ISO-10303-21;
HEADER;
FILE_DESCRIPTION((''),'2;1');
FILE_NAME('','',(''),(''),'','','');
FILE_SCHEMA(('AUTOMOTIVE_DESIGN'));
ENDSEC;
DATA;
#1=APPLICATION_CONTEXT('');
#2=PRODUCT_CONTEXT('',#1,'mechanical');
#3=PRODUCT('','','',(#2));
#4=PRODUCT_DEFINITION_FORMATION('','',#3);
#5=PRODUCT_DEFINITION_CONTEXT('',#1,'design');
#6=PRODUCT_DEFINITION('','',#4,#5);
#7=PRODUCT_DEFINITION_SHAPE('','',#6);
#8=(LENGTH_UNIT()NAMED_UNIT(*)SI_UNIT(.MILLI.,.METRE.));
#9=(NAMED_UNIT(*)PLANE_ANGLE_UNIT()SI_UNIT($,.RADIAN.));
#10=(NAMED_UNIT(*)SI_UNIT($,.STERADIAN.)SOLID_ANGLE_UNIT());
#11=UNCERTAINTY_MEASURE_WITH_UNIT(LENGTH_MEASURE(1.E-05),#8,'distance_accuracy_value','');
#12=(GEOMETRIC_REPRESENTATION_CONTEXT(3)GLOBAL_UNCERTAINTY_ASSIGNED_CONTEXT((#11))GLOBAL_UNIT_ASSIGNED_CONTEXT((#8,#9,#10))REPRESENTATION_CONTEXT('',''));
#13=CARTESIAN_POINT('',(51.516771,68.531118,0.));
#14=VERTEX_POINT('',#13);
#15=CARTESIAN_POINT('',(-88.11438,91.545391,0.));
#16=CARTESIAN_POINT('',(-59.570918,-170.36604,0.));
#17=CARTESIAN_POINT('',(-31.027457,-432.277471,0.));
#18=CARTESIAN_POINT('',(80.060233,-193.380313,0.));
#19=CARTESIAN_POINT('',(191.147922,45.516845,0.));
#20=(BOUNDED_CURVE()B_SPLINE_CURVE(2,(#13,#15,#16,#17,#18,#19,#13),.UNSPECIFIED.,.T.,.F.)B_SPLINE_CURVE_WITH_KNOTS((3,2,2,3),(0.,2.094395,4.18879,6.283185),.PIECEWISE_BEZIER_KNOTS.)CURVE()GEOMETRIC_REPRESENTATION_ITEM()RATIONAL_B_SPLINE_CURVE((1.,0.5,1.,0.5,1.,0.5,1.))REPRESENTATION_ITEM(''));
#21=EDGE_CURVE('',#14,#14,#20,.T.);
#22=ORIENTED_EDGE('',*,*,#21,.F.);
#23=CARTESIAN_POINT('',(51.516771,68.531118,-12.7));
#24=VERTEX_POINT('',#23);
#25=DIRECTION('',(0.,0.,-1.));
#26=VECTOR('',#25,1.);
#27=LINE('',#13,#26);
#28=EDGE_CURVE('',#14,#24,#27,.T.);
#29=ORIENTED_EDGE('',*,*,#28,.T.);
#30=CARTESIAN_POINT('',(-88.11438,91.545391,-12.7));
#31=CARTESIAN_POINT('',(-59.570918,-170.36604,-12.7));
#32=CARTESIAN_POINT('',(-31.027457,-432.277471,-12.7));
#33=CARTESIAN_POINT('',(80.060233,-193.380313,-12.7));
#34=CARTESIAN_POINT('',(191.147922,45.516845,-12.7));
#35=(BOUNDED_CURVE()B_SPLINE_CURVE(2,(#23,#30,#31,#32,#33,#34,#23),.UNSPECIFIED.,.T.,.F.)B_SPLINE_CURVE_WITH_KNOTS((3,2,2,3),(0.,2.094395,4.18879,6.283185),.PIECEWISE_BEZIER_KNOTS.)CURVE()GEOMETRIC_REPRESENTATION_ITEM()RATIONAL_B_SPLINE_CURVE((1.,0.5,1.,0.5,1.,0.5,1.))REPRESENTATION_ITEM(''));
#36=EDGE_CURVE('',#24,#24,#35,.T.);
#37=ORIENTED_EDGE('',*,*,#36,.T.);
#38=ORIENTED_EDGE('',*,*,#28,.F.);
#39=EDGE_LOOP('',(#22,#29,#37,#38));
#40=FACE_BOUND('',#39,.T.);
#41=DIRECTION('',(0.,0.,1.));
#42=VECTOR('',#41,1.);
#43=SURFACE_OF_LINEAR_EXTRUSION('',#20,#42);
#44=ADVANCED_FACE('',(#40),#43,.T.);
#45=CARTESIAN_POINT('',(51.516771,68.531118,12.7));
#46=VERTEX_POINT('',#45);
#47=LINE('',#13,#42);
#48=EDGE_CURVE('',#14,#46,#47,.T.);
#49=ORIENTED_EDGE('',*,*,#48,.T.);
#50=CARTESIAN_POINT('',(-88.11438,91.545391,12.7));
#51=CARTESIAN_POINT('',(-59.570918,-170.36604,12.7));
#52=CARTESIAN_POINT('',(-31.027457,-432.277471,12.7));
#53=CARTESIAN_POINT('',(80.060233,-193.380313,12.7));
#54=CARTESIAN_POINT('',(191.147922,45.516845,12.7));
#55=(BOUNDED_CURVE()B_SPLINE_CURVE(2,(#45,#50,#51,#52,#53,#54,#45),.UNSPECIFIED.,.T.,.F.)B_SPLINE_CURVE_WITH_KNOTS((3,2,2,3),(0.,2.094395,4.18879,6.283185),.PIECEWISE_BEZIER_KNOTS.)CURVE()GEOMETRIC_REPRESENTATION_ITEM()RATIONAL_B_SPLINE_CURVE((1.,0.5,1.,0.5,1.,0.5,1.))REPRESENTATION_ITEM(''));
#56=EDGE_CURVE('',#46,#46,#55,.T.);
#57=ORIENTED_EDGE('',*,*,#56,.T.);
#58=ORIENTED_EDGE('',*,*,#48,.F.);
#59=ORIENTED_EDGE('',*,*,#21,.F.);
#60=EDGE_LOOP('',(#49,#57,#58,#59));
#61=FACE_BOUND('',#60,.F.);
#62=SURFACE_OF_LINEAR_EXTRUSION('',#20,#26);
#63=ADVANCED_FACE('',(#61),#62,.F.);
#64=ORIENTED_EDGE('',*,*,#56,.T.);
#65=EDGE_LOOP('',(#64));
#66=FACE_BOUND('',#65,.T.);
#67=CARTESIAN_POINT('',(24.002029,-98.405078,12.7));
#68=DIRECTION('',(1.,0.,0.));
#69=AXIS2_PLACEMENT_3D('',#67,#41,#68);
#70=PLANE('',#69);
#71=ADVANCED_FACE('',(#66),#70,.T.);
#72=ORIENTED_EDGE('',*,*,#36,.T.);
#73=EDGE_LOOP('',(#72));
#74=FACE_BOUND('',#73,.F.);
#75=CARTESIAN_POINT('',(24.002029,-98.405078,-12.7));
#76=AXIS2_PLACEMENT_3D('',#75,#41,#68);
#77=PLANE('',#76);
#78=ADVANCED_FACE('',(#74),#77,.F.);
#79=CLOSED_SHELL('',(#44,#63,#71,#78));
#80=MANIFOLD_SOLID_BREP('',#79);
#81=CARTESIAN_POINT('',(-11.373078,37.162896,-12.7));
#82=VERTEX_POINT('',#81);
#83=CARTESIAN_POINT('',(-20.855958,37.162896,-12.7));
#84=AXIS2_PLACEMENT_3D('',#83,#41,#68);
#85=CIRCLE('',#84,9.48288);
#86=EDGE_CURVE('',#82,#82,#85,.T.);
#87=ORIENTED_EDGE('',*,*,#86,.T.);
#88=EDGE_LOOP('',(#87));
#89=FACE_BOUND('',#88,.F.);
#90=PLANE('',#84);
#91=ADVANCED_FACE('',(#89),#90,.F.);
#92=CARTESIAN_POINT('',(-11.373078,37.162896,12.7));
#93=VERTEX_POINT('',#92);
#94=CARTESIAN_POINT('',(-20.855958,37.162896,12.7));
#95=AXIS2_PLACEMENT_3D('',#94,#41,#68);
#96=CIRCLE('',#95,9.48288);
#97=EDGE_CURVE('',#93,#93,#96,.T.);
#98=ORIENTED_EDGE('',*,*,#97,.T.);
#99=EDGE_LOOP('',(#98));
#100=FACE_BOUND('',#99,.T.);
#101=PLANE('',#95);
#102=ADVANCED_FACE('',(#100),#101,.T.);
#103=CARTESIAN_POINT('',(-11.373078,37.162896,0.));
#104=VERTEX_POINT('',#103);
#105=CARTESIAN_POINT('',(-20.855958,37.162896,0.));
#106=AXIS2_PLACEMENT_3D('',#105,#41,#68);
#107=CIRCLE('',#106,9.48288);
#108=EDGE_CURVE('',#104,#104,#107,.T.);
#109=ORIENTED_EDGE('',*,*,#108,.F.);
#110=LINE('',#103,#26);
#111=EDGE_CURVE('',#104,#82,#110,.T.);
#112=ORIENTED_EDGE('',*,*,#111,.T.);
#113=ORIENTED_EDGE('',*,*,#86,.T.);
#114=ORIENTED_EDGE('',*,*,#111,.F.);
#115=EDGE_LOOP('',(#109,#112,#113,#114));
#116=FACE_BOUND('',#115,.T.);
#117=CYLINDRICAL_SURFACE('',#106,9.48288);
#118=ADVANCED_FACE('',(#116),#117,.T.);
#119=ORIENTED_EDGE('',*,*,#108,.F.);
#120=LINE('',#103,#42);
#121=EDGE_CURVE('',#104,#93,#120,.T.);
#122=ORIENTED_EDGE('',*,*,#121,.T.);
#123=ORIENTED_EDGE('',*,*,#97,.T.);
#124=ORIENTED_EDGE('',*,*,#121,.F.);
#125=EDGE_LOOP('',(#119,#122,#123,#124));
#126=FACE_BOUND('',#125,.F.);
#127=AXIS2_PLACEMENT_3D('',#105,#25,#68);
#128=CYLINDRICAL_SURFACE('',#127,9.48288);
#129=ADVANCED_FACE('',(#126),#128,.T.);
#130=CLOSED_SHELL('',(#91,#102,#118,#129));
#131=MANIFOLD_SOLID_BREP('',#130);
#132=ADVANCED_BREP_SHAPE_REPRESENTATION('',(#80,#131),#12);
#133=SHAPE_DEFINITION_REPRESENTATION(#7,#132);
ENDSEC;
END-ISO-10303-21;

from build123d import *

# Parameters (mm, degrees)
F0_R     = 9.48288
F1_DEPTH = 12.7


with BuildPart() as f1:
    # F0 (on Top) → F1 (new body, symmetric)
    with BuildSketch(Plane.XY):
        with Locations((-20.855958, 37.162896)):
            Circle(F0_R)
        with BuildLine():
            add(Edge.make_bspline(
                [(51.516771, 68.531118), (-88.11438, 91.545391), (-59.570918, -170.36604), (-31.027457, -432.277471), (80.060233, -193.380313), (191.147922, 45.516845), (51.516771, 68.531118)],
                knots=[0, 0, 0, 2.094395, 2.094395, 4.18879, 4.18879, 6.283185, 6.283185, 6.283185], degree=2, weights=[1, 0.5, 1, 0.5, 1, 0.5, 1]))
        make_face()
    extrude(amount=F1_DEPTH, both=True)


solid = f1.part
